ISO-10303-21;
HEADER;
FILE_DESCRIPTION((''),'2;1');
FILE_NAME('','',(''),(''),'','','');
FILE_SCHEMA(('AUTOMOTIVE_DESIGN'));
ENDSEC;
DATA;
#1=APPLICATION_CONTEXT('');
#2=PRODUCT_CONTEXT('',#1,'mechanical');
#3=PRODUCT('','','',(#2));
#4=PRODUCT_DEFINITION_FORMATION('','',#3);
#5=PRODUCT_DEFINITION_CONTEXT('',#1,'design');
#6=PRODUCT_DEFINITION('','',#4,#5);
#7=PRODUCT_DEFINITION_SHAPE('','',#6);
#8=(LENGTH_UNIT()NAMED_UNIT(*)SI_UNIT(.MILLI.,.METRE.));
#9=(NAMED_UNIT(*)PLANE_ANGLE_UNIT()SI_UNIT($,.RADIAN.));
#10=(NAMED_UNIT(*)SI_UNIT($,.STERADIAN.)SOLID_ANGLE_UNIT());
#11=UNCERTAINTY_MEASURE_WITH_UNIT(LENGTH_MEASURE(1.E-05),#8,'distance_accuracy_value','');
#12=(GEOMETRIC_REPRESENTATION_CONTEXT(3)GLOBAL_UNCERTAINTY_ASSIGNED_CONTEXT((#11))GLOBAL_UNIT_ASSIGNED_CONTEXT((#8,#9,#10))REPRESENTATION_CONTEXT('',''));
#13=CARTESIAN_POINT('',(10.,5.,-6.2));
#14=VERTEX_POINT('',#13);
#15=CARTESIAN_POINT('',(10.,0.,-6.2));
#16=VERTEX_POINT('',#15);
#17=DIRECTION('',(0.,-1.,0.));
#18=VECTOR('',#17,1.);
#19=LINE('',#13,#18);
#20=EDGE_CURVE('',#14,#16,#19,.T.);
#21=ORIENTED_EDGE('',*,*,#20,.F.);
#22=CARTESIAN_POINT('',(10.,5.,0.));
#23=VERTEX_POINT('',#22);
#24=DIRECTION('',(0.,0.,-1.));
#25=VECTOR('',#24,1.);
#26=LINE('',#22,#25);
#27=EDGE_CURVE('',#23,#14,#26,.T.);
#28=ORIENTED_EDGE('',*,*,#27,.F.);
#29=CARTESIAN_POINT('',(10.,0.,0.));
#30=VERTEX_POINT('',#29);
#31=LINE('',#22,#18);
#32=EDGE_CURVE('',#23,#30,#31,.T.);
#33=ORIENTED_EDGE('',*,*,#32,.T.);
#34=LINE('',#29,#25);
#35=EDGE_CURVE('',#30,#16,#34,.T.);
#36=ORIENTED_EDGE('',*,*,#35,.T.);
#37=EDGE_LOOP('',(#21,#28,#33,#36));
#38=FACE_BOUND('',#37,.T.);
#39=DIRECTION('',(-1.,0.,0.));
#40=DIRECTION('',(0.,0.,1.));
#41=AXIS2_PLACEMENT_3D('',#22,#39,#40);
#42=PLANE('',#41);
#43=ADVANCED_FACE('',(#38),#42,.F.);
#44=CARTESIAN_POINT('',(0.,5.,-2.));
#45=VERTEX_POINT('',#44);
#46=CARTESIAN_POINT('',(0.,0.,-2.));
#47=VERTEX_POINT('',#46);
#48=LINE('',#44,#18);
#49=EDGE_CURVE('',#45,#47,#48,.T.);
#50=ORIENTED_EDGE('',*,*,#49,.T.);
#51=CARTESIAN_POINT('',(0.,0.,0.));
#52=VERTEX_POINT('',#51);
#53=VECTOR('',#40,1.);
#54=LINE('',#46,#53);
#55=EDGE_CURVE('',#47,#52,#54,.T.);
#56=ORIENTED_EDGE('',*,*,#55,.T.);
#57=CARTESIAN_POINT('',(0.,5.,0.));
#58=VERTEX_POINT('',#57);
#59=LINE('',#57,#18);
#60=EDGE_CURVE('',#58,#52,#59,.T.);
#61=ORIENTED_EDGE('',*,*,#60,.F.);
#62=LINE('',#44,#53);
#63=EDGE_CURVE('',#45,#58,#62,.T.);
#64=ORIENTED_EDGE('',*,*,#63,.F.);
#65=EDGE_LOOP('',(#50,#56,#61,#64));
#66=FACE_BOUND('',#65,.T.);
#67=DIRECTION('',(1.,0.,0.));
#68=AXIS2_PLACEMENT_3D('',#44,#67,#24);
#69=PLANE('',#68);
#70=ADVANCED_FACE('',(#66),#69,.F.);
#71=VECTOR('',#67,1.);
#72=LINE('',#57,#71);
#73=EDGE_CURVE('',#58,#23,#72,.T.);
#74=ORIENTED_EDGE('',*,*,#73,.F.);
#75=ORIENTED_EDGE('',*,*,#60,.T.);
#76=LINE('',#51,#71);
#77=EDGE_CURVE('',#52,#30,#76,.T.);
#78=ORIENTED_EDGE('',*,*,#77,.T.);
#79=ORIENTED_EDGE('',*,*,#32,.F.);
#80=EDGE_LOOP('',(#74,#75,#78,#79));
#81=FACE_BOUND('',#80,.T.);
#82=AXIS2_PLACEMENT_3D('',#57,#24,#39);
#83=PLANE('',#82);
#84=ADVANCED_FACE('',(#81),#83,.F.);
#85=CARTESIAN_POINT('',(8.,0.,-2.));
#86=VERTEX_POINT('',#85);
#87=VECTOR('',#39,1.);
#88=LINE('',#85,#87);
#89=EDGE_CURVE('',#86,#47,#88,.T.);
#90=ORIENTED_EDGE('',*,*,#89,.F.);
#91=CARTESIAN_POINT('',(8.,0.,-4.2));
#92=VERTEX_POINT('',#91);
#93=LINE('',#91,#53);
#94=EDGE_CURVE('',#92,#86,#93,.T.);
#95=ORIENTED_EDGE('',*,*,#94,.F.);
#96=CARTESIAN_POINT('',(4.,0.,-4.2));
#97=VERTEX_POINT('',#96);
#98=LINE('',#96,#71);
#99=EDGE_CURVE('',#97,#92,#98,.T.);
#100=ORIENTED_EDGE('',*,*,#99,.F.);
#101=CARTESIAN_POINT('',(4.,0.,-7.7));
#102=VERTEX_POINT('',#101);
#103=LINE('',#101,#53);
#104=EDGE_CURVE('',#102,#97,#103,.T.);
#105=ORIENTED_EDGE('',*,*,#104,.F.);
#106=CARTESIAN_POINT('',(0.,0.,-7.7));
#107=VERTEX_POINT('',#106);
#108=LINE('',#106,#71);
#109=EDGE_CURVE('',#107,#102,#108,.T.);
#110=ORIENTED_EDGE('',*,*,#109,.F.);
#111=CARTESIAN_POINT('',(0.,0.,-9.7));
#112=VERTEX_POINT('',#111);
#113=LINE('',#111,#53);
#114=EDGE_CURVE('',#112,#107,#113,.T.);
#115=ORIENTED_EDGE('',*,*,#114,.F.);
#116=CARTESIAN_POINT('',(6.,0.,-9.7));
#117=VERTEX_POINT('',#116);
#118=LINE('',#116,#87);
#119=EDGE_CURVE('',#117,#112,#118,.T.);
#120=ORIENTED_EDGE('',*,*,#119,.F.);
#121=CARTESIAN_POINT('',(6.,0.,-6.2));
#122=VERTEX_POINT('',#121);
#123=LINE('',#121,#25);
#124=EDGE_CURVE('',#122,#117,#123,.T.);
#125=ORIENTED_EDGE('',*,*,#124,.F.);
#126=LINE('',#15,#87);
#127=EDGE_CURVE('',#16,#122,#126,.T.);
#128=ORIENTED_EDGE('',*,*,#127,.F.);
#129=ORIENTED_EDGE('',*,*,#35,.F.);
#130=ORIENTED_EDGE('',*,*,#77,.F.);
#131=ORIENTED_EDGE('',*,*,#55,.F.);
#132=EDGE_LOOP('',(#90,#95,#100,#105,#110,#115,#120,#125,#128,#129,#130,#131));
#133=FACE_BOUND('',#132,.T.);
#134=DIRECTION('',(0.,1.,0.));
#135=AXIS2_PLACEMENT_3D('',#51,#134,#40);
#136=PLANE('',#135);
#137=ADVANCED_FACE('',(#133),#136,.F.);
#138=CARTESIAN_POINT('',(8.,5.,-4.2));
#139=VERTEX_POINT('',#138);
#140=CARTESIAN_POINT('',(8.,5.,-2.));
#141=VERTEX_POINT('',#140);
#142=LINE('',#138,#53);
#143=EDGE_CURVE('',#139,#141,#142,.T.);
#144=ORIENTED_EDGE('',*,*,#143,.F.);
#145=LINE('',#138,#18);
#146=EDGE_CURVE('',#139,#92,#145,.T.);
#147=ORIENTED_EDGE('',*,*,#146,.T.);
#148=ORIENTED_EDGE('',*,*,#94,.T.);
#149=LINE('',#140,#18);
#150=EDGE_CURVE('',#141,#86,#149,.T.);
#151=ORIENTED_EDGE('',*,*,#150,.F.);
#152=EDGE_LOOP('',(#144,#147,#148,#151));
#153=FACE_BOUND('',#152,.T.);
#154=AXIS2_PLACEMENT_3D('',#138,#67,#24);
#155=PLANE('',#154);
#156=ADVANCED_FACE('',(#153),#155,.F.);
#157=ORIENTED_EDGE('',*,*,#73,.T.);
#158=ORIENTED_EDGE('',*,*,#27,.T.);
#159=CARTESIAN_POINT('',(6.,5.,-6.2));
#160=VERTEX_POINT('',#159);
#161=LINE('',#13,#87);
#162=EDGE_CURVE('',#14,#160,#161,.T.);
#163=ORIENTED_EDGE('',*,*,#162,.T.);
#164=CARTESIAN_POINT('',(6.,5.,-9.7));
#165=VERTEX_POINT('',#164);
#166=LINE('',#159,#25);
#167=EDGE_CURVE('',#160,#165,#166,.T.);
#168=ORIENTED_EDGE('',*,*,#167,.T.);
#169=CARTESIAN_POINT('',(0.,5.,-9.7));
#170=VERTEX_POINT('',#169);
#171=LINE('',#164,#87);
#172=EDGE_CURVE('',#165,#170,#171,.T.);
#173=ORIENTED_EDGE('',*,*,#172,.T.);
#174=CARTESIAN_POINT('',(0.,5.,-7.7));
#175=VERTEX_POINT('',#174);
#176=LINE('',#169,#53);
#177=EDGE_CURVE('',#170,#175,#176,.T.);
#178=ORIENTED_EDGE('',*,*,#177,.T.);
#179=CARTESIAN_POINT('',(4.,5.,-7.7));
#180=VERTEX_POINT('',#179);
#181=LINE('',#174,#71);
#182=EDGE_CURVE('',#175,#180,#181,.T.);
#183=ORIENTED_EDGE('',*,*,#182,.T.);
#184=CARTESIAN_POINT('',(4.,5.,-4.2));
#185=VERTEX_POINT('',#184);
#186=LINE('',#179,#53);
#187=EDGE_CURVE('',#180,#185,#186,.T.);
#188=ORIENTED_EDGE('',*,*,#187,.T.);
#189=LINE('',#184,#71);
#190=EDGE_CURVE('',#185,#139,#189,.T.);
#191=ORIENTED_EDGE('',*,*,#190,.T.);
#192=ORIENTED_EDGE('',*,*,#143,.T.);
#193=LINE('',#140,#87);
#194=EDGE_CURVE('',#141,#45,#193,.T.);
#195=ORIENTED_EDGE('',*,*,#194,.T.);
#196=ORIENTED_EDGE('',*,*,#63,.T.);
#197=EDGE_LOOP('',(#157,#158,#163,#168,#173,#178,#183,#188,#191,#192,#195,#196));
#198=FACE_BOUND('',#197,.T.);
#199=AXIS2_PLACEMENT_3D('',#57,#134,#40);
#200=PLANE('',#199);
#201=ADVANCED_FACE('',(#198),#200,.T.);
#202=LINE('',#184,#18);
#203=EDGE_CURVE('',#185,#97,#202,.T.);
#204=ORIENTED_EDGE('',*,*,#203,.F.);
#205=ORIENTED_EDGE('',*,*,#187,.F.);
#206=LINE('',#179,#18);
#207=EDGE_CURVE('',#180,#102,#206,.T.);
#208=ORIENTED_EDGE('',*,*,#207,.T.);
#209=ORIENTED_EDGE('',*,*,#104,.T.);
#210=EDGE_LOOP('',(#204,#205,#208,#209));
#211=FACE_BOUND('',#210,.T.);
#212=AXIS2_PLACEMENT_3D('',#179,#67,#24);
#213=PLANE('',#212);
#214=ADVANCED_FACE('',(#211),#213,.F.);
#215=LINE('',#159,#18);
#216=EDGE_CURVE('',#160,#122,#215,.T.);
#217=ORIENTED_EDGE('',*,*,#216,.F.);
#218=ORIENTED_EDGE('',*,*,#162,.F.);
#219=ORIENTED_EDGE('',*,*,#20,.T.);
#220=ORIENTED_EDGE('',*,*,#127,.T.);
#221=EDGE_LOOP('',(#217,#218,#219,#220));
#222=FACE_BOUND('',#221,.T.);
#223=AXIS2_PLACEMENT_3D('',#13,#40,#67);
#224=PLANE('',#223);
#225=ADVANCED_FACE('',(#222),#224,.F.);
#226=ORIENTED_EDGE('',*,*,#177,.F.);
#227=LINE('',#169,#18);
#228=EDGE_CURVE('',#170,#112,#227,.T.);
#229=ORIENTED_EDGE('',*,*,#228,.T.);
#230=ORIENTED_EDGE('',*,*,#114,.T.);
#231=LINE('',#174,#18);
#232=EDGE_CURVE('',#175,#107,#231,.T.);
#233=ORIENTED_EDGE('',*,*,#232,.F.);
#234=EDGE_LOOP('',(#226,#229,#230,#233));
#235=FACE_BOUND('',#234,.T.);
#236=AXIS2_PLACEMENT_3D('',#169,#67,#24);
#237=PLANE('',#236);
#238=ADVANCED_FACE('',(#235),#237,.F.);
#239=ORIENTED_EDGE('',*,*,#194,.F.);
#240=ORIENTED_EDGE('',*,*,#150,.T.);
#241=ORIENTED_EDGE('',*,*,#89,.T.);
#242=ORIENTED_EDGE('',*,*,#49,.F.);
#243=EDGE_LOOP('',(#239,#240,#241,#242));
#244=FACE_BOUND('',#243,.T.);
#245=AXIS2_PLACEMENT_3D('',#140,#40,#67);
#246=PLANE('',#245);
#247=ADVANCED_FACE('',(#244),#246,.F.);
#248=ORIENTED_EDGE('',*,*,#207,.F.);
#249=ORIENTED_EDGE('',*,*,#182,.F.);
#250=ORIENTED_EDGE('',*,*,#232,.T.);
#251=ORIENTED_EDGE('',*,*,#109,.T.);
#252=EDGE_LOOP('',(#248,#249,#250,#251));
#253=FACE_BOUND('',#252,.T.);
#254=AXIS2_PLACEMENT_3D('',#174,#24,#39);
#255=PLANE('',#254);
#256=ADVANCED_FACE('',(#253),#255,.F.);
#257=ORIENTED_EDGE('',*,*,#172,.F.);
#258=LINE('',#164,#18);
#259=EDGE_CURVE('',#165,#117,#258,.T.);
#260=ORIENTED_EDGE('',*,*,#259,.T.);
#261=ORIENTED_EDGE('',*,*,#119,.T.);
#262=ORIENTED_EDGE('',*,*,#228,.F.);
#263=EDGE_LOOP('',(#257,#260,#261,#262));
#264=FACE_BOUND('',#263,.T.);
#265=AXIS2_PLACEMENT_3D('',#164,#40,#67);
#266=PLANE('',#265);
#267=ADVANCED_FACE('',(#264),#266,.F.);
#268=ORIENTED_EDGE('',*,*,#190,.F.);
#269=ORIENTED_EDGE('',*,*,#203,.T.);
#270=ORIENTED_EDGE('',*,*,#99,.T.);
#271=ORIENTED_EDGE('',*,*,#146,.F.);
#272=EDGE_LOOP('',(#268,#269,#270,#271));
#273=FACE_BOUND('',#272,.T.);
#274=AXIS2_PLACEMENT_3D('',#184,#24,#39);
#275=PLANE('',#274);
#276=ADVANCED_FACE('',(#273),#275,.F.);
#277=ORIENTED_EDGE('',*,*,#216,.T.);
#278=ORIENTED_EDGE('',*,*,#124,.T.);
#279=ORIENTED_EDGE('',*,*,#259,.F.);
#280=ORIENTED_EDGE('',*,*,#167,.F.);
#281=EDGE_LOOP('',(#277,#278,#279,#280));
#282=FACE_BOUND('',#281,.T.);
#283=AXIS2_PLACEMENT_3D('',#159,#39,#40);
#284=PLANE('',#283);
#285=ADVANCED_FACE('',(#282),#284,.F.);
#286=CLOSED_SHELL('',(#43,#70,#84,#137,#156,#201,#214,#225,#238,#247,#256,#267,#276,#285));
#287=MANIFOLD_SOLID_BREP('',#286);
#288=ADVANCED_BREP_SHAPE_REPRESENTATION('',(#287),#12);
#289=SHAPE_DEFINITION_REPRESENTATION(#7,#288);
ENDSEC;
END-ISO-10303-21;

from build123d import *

# Parameters (mm, degrees)
BOSS_EXTRUDE1_DEPTH = 5


with BuildPart() as part:
    # Sketch1 → Boss-Extrude1 (new body)
    with BuildSketch(Plane(origin=(0, 0, 0), x_dir=(1, 0, 0), z_dir=(0, 1, 0))):
        Polygon((0, 0), (10, 0), (10, 6.2), (6, 6.2), (6, 9.7), (0, 9.7), (0, 7.7), (4, 7.7), (4, 4.2), (8, 4.2), (8, 2), (0, 2), align=None)
    extrude(amount=BOSS_EXTRUDE1_DEPTH)


solid = part.part
